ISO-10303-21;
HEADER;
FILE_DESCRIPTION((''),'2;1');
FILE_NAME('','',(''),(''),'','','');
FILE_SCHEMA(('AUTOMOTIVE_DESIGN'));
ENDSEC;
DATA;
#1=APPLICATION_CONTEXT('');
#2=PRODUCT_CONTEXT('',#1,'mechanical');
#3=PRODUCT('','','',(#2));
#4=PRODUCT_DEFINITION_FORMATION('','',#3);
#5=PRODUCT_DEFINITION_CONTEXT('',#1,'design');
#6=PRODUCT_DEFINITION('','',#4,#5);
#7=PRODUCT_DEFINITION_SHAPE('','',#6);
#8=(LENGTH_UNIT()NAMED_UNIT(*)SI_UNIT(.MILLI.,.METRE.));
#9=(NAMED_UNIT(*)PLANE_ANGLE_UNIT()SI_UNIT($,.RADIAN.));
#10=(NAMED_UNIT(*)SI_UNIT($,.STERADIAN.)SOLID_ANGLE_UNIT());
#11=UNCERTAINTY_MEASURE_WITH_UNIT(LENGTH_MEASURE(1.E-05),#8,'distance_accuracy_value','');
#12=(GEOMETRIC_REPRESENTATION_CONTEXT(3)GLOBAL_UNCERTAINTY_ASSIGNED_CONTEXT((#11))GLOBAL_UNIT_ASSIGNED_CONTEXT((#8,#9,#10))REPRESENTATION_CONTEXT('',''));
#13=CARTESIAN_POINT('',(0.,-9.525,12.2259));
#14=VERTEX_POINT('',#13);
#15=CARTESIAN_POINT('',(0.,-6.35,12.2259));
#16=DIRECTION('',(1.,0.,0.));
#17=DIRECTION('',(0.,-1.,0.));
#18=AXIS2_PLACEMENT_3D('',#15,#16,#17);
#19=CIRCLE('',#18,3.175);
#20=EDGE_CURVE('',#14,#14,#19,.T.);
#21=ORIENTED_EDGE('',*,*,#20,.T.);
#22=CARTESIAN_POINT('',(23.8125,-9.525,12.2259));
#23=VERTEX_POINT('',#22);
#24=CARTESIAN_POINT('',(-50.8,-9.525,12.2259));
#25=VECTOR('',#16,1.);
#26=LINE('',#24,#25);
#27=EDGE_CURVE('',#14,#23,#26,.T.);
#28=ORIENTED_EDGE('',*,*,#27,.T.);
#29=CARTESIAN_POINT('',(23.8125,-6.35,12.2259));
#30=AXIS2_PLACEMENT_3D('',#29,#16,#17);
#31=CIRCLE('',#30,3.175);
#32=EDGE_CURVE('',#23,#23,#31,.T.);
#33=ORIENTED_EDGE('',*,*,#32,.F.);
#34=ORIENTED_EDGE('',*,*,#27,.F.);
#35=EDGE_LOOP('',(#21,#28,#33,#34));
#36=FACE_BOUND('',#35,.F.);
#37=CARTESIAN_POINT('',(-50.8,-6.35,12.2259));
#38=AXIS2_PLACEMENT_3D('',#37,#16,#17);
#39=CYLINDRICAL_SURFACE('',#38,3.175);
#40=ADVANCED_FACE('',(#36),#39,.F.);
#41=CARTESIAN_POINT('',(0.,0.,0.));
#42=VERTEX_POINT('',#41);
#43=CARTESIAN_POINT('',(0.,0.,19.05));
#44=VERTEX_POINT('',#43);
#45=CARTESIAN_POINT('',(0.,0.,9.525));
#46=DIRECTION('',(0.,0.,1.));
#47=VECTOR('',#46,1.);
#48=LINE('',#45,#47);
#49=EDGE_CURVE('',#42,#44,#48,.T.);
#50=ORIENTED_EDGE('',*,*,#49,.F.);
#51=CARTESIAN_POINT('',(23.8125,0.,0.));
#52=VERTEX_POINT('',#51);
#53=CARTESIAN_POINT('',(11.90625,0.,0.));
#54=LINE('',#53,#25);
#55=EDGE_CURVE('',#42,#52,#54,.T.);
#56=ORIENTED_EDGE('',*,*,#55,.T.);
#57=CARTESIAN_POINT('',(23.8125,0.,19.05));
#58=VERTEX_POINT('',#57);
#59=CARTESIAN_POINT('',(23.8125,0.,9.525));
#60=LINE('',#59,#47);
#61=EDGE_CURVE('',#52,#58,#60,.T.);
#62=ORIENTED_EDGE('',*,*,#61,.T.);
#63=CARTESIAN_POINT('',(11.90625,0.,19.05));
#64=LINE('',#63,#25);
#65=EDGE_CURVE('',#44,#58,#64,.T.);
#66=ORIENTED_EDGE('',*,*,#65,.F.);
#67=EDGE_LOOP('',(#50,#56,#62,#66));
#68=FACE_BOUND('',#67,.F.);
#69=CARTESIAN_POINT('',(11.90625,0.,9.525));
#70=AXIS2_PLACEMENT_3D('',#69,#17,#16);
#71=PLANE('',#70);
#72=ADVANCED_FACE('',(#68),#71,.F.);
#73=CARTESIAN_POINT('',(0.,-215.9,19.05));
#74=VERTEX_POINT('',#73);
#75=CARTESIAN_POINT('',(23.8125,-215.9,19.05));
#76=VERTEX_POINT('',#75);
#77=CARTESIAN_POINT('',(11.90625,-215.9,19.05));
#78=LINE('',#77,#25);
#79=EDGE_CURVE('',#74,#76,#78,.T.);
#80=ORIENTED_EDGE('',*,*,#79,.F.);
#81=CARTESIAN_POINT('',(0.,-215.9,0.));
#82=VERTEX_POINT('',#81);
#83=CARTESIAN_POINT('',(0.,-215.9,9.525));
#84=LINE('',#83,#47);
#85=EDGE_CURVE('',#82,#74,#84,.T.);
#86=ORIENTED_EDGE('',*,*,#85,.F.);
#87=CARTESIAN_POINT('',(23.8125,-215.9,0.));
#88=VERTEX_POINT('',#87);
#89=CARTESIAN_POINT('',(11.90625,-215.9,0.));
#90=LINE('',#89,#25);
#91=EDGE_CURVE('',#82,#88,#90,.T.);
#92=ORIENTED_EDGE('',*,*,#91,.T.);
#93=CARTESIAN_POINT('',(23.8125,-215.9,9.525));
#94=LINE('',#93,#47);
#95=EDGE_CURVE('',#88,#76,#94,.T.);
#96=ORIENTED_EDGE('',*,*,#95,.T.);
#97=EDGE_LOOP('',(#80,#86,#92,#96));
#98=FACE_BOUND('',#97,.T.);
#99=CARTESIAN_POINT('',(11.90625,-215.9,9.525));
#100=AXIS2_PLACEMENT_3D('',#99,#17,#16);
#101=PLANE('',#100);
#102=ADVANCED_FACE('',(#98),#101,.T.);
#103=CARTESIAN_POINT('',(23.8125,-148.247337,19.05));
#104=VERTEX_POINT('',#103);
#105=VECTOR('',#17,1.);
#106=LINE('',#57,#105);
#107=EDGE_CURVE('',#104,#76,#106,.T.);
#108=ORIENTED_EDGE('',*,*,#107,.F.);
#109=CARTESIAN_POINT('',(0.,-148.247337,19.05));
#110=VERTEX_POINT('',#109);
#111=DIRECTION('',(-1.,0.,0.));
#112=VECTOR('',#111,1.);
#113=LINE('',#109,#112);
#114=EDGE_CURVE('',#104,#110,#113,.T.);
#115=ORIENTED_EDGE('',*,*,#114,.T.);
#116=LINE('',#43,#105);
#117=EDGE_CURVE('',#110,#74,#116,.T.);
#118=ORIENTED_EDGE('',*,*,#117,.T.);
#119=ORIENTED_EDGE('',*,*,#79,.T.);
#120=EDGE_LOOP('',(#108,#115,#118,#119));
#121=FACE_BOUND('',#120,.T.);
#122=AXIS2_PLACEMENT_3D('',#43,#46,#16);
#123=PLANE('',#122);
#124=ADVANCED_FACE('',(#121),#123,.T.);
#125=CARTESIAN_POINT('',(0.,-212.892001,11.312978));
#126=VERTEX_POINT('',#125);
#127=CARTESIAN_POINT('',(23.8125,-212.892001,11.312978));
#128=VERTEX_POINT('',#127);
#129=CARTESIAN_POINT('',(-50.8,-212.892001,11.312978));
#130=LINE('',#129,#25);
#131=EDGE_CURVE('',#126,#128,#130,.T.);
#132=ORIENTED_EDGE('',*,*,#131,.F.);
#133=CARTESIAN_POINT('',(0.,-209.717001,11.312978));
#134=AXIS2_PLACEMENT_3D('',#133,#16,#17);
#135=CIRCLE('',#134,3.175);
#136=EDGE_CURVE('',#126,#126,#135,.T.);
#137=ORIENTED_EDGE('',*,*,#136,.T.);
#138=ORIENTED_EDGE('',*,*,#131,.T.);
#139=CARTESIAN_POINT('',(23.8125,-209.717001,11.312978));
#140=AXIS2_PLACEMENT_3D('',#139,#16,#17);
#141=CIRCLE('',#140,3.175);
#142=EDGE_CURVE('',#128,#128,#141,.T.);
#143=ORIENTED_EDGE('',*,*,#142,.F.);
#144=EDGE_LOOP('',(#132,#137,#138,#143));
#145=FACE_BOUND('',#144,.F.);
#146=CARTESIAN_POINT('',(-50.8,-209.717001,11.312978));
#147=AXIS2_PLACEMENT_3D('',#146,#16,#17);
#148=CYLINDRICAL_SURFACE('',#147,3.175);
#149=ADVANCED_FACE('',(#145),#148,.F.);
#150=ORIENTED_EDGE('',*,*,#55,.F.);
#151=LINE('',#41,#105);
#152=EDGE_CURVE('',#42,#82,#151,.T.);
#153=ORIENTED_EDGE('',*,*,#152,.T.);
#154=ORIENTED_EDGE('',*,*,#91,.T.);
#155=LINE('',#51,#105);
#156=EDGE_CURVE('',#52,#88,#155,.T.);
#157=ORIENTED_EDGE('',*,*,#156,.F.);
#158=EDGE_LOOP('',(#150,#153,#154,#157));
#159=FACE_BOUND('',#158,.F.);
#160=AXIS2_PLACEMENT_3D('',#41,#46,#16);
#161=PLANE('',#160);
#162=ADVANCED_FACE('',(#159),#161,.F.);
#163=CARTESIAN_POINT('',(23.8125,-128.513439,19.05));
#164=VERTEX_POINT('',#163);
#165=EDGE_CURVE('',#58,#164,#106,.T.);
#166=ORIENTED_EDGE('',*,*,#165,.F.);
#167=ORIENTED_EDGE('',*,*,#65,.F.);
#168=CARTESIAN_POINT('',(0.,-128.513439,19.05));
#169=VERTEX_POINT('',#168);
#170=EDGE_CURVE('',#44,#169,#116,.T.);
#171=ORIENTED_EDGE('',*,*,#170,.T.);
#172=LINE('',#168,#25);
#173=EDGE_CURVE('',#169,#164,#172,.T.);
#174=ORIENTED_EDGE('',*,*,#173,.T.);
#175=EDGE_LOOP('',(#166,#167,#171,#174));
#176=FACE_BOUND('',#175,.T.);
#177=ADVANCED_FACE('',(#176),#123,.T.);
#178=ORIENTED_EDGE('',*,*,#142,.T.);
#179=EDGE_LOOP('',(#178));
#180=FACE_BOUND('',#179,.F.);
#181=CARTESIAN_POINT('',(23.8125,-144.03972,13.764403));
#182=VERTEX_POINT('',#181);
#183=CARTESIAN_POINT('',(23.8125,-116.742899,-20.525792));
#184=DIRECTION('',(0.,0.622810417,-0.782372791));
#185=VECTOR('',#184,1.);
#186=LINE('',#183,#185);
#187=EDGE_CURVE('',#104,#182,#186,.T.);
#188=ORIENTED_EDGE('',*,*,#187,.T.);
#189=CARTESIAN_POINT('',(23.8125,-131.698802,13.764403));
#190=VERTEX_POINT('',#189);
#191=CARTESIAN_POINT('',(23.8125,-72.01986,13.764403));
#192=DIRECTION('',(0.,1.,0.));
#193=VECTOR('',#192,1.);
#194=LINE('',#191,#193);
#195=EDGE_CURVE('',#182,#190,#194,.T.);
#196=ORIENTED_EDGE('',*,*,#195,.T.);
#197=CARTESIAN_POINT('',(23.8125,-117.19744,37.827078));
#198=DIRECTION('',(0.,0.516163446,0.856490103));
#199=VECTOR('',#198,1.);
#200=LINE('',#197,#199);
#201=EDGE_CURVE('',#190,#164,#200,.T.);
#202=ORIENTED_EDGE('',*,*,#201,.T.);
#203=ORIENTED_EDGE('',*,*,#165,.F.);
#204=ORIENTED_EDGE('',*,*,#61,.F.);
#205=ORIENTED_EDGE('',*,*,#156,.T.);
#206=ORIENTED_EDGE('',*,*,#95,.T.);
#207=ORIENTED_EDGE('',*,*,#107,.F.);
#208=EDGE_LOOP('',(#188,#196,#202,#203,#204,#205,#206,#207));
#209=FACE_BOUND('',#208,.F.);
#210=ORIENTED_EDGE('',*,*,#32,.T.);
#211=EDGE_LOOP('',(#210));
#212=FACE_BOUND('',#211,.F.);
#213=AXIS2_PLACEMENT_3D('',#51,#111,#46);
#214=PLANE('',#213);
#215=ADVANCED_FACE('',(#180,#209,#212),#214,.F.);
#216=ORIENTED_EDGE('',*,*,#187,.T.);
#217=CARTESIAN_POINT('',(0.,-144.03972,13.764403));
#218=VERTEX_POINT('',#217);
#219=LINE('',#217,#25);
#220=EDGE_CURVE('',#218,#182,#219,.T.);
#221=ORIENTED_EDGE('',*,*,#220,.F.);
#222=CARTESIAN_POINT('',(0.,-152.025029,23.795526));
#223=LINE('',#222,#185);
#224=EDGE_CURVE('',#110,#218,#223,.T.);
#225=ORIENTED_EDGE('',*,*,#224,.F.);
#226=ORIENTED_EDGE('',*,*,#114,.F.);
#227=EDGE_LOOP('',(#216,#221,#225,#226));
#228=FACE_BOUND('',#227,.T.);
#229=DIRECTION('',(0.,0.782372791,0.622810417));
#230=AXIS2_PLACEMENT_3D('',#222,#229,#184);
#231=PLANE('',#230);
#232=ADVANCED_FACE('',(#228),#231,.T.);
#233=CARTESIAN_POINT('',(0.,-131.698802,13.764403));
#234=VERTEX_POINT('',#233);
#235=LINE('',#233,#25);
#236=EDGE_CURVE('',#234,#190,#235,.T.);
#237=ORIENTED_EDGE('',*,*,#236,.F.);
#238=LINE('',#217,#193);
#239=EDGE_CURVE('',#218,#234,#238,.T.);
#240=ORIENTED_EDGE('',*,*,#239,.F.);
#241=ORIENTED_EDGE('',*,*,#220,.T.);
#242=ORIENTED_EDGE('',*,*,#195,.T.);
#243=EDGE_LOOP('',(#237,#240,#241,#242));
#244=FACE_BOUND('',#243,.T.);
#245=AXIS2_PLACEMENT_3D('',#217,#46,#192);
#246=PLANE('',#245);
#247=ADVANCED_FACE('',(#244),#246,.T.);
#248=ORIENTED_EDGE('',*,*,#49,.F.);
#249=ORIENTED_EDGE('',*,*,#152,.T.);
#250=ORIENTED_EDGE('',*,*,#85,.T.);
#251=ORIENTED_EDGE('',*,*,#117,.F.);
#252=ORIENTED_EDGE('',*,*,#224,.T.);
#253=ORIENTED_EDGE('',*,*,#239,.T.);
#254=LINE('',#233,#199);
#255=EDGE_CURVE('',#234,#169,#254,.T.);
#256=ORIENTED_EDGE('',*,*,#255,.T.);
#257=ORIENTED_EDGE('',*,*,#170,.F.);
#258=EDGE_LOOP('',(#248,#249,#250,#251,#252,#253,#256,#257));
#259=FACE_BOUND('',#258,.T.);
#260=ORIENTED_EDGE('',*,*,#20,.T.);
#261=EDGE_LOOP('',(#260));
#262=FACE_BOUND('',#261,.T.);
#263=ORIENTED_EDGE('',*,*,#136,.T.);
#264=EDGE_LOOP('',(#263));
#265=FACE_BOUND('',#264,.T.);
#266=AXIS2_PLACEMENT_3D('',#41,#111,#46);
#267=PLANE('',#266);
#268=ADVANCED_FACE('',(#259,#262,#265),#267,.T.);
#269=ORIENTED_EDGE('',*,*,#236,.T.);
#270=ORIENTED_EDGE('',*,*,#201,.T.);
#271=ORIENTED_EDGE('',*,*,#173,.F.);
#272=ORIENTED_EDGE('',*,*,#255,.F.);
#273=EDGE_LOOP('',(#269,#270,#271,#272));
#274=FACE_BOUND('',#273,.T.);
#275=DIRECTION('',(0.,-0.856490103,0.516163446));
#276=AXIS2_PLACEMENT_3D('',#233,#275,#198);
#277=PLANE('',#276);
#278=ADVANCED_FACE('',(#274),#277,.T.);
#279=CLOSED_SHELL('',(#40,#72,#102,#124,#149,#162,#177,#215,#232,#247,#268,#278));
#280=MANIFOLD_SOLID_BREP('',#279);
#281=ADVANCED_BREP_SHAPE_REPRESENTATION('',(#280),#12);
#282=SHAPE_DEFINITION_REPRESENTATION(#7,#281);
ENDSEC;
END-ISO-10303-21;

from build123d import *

# Parameters (mm, degrees)
F0_W     = 23.8125
F0_H     = 19.05
F1_DEPTH = 215.9
F3_DEPTH = 25.4
F5_D     = 6.35
F5_DEPTH = 50.8
F5_TIP   = 1.9077324654
F7_D     = 6.35
F7_DEPTH = 50.8
F7_TIP   = 1.9077324654


with BuildPart() as f1:
    # F0 (on Front) → F1 (new body)
    with BuildSketch(Plane.XZ):
        with Locations((11.90625, 9.525)):
            Rectangle(F0_W, F0_H)
    extrude(amount=F1_DEPTH)

    # F2 (on Right) → F3 (cut)
    with BuildSketch(Plane.YZ):
        Polygon((-125.693321228, 23.7295310944), (-152.0250290632, 23.7955264747), (-144.0397202969, 13.7644028291), (-131.6988021135, 13.7644028291), align=None)
        Polygon((-130.116969347, 34.1722927988), (-152.0250290632, 23.7955264747), (-125.693321228, 23.7295310944), align=None)
    extrude(amount=F3_DEPTH, mode=Mode.SUBTRACT)

    # F5
    with Locations(Plane(origin=(0, 0, 0), x_dir=(0, 1, 0), z_dir=(-1, 0, 0))):
        with Locations((-6.35, -12.2258998454)):
            Hole(F5_D / 2, depth=F5_DEPTH)
            with Locations((0, 0, -(F5_DEPTH + F5_TIP / 2))):  # 118° drill point
                Cone(0, F5_D / 2, F5_TIP, mode=Mode.SUBTRACT)

    # F7
    with Locations(Plane(origin=(0, 0, 0), x_dir=(0, 1, 0), z_dir=(-1, 0, 0))):
        with Locations((-209.7170012236, -11.3129783422)):
            Hole(F7_D / 2, depth=F7_DEPTH)
            with Locations((0, 0, -(F7_DEPTH + F7_TIP / 2))):  # 118° drill point
                Cone(0, F7_D / 2, F7_TIP, mode=Mode.SUBTRACT)


solid = f1.part
